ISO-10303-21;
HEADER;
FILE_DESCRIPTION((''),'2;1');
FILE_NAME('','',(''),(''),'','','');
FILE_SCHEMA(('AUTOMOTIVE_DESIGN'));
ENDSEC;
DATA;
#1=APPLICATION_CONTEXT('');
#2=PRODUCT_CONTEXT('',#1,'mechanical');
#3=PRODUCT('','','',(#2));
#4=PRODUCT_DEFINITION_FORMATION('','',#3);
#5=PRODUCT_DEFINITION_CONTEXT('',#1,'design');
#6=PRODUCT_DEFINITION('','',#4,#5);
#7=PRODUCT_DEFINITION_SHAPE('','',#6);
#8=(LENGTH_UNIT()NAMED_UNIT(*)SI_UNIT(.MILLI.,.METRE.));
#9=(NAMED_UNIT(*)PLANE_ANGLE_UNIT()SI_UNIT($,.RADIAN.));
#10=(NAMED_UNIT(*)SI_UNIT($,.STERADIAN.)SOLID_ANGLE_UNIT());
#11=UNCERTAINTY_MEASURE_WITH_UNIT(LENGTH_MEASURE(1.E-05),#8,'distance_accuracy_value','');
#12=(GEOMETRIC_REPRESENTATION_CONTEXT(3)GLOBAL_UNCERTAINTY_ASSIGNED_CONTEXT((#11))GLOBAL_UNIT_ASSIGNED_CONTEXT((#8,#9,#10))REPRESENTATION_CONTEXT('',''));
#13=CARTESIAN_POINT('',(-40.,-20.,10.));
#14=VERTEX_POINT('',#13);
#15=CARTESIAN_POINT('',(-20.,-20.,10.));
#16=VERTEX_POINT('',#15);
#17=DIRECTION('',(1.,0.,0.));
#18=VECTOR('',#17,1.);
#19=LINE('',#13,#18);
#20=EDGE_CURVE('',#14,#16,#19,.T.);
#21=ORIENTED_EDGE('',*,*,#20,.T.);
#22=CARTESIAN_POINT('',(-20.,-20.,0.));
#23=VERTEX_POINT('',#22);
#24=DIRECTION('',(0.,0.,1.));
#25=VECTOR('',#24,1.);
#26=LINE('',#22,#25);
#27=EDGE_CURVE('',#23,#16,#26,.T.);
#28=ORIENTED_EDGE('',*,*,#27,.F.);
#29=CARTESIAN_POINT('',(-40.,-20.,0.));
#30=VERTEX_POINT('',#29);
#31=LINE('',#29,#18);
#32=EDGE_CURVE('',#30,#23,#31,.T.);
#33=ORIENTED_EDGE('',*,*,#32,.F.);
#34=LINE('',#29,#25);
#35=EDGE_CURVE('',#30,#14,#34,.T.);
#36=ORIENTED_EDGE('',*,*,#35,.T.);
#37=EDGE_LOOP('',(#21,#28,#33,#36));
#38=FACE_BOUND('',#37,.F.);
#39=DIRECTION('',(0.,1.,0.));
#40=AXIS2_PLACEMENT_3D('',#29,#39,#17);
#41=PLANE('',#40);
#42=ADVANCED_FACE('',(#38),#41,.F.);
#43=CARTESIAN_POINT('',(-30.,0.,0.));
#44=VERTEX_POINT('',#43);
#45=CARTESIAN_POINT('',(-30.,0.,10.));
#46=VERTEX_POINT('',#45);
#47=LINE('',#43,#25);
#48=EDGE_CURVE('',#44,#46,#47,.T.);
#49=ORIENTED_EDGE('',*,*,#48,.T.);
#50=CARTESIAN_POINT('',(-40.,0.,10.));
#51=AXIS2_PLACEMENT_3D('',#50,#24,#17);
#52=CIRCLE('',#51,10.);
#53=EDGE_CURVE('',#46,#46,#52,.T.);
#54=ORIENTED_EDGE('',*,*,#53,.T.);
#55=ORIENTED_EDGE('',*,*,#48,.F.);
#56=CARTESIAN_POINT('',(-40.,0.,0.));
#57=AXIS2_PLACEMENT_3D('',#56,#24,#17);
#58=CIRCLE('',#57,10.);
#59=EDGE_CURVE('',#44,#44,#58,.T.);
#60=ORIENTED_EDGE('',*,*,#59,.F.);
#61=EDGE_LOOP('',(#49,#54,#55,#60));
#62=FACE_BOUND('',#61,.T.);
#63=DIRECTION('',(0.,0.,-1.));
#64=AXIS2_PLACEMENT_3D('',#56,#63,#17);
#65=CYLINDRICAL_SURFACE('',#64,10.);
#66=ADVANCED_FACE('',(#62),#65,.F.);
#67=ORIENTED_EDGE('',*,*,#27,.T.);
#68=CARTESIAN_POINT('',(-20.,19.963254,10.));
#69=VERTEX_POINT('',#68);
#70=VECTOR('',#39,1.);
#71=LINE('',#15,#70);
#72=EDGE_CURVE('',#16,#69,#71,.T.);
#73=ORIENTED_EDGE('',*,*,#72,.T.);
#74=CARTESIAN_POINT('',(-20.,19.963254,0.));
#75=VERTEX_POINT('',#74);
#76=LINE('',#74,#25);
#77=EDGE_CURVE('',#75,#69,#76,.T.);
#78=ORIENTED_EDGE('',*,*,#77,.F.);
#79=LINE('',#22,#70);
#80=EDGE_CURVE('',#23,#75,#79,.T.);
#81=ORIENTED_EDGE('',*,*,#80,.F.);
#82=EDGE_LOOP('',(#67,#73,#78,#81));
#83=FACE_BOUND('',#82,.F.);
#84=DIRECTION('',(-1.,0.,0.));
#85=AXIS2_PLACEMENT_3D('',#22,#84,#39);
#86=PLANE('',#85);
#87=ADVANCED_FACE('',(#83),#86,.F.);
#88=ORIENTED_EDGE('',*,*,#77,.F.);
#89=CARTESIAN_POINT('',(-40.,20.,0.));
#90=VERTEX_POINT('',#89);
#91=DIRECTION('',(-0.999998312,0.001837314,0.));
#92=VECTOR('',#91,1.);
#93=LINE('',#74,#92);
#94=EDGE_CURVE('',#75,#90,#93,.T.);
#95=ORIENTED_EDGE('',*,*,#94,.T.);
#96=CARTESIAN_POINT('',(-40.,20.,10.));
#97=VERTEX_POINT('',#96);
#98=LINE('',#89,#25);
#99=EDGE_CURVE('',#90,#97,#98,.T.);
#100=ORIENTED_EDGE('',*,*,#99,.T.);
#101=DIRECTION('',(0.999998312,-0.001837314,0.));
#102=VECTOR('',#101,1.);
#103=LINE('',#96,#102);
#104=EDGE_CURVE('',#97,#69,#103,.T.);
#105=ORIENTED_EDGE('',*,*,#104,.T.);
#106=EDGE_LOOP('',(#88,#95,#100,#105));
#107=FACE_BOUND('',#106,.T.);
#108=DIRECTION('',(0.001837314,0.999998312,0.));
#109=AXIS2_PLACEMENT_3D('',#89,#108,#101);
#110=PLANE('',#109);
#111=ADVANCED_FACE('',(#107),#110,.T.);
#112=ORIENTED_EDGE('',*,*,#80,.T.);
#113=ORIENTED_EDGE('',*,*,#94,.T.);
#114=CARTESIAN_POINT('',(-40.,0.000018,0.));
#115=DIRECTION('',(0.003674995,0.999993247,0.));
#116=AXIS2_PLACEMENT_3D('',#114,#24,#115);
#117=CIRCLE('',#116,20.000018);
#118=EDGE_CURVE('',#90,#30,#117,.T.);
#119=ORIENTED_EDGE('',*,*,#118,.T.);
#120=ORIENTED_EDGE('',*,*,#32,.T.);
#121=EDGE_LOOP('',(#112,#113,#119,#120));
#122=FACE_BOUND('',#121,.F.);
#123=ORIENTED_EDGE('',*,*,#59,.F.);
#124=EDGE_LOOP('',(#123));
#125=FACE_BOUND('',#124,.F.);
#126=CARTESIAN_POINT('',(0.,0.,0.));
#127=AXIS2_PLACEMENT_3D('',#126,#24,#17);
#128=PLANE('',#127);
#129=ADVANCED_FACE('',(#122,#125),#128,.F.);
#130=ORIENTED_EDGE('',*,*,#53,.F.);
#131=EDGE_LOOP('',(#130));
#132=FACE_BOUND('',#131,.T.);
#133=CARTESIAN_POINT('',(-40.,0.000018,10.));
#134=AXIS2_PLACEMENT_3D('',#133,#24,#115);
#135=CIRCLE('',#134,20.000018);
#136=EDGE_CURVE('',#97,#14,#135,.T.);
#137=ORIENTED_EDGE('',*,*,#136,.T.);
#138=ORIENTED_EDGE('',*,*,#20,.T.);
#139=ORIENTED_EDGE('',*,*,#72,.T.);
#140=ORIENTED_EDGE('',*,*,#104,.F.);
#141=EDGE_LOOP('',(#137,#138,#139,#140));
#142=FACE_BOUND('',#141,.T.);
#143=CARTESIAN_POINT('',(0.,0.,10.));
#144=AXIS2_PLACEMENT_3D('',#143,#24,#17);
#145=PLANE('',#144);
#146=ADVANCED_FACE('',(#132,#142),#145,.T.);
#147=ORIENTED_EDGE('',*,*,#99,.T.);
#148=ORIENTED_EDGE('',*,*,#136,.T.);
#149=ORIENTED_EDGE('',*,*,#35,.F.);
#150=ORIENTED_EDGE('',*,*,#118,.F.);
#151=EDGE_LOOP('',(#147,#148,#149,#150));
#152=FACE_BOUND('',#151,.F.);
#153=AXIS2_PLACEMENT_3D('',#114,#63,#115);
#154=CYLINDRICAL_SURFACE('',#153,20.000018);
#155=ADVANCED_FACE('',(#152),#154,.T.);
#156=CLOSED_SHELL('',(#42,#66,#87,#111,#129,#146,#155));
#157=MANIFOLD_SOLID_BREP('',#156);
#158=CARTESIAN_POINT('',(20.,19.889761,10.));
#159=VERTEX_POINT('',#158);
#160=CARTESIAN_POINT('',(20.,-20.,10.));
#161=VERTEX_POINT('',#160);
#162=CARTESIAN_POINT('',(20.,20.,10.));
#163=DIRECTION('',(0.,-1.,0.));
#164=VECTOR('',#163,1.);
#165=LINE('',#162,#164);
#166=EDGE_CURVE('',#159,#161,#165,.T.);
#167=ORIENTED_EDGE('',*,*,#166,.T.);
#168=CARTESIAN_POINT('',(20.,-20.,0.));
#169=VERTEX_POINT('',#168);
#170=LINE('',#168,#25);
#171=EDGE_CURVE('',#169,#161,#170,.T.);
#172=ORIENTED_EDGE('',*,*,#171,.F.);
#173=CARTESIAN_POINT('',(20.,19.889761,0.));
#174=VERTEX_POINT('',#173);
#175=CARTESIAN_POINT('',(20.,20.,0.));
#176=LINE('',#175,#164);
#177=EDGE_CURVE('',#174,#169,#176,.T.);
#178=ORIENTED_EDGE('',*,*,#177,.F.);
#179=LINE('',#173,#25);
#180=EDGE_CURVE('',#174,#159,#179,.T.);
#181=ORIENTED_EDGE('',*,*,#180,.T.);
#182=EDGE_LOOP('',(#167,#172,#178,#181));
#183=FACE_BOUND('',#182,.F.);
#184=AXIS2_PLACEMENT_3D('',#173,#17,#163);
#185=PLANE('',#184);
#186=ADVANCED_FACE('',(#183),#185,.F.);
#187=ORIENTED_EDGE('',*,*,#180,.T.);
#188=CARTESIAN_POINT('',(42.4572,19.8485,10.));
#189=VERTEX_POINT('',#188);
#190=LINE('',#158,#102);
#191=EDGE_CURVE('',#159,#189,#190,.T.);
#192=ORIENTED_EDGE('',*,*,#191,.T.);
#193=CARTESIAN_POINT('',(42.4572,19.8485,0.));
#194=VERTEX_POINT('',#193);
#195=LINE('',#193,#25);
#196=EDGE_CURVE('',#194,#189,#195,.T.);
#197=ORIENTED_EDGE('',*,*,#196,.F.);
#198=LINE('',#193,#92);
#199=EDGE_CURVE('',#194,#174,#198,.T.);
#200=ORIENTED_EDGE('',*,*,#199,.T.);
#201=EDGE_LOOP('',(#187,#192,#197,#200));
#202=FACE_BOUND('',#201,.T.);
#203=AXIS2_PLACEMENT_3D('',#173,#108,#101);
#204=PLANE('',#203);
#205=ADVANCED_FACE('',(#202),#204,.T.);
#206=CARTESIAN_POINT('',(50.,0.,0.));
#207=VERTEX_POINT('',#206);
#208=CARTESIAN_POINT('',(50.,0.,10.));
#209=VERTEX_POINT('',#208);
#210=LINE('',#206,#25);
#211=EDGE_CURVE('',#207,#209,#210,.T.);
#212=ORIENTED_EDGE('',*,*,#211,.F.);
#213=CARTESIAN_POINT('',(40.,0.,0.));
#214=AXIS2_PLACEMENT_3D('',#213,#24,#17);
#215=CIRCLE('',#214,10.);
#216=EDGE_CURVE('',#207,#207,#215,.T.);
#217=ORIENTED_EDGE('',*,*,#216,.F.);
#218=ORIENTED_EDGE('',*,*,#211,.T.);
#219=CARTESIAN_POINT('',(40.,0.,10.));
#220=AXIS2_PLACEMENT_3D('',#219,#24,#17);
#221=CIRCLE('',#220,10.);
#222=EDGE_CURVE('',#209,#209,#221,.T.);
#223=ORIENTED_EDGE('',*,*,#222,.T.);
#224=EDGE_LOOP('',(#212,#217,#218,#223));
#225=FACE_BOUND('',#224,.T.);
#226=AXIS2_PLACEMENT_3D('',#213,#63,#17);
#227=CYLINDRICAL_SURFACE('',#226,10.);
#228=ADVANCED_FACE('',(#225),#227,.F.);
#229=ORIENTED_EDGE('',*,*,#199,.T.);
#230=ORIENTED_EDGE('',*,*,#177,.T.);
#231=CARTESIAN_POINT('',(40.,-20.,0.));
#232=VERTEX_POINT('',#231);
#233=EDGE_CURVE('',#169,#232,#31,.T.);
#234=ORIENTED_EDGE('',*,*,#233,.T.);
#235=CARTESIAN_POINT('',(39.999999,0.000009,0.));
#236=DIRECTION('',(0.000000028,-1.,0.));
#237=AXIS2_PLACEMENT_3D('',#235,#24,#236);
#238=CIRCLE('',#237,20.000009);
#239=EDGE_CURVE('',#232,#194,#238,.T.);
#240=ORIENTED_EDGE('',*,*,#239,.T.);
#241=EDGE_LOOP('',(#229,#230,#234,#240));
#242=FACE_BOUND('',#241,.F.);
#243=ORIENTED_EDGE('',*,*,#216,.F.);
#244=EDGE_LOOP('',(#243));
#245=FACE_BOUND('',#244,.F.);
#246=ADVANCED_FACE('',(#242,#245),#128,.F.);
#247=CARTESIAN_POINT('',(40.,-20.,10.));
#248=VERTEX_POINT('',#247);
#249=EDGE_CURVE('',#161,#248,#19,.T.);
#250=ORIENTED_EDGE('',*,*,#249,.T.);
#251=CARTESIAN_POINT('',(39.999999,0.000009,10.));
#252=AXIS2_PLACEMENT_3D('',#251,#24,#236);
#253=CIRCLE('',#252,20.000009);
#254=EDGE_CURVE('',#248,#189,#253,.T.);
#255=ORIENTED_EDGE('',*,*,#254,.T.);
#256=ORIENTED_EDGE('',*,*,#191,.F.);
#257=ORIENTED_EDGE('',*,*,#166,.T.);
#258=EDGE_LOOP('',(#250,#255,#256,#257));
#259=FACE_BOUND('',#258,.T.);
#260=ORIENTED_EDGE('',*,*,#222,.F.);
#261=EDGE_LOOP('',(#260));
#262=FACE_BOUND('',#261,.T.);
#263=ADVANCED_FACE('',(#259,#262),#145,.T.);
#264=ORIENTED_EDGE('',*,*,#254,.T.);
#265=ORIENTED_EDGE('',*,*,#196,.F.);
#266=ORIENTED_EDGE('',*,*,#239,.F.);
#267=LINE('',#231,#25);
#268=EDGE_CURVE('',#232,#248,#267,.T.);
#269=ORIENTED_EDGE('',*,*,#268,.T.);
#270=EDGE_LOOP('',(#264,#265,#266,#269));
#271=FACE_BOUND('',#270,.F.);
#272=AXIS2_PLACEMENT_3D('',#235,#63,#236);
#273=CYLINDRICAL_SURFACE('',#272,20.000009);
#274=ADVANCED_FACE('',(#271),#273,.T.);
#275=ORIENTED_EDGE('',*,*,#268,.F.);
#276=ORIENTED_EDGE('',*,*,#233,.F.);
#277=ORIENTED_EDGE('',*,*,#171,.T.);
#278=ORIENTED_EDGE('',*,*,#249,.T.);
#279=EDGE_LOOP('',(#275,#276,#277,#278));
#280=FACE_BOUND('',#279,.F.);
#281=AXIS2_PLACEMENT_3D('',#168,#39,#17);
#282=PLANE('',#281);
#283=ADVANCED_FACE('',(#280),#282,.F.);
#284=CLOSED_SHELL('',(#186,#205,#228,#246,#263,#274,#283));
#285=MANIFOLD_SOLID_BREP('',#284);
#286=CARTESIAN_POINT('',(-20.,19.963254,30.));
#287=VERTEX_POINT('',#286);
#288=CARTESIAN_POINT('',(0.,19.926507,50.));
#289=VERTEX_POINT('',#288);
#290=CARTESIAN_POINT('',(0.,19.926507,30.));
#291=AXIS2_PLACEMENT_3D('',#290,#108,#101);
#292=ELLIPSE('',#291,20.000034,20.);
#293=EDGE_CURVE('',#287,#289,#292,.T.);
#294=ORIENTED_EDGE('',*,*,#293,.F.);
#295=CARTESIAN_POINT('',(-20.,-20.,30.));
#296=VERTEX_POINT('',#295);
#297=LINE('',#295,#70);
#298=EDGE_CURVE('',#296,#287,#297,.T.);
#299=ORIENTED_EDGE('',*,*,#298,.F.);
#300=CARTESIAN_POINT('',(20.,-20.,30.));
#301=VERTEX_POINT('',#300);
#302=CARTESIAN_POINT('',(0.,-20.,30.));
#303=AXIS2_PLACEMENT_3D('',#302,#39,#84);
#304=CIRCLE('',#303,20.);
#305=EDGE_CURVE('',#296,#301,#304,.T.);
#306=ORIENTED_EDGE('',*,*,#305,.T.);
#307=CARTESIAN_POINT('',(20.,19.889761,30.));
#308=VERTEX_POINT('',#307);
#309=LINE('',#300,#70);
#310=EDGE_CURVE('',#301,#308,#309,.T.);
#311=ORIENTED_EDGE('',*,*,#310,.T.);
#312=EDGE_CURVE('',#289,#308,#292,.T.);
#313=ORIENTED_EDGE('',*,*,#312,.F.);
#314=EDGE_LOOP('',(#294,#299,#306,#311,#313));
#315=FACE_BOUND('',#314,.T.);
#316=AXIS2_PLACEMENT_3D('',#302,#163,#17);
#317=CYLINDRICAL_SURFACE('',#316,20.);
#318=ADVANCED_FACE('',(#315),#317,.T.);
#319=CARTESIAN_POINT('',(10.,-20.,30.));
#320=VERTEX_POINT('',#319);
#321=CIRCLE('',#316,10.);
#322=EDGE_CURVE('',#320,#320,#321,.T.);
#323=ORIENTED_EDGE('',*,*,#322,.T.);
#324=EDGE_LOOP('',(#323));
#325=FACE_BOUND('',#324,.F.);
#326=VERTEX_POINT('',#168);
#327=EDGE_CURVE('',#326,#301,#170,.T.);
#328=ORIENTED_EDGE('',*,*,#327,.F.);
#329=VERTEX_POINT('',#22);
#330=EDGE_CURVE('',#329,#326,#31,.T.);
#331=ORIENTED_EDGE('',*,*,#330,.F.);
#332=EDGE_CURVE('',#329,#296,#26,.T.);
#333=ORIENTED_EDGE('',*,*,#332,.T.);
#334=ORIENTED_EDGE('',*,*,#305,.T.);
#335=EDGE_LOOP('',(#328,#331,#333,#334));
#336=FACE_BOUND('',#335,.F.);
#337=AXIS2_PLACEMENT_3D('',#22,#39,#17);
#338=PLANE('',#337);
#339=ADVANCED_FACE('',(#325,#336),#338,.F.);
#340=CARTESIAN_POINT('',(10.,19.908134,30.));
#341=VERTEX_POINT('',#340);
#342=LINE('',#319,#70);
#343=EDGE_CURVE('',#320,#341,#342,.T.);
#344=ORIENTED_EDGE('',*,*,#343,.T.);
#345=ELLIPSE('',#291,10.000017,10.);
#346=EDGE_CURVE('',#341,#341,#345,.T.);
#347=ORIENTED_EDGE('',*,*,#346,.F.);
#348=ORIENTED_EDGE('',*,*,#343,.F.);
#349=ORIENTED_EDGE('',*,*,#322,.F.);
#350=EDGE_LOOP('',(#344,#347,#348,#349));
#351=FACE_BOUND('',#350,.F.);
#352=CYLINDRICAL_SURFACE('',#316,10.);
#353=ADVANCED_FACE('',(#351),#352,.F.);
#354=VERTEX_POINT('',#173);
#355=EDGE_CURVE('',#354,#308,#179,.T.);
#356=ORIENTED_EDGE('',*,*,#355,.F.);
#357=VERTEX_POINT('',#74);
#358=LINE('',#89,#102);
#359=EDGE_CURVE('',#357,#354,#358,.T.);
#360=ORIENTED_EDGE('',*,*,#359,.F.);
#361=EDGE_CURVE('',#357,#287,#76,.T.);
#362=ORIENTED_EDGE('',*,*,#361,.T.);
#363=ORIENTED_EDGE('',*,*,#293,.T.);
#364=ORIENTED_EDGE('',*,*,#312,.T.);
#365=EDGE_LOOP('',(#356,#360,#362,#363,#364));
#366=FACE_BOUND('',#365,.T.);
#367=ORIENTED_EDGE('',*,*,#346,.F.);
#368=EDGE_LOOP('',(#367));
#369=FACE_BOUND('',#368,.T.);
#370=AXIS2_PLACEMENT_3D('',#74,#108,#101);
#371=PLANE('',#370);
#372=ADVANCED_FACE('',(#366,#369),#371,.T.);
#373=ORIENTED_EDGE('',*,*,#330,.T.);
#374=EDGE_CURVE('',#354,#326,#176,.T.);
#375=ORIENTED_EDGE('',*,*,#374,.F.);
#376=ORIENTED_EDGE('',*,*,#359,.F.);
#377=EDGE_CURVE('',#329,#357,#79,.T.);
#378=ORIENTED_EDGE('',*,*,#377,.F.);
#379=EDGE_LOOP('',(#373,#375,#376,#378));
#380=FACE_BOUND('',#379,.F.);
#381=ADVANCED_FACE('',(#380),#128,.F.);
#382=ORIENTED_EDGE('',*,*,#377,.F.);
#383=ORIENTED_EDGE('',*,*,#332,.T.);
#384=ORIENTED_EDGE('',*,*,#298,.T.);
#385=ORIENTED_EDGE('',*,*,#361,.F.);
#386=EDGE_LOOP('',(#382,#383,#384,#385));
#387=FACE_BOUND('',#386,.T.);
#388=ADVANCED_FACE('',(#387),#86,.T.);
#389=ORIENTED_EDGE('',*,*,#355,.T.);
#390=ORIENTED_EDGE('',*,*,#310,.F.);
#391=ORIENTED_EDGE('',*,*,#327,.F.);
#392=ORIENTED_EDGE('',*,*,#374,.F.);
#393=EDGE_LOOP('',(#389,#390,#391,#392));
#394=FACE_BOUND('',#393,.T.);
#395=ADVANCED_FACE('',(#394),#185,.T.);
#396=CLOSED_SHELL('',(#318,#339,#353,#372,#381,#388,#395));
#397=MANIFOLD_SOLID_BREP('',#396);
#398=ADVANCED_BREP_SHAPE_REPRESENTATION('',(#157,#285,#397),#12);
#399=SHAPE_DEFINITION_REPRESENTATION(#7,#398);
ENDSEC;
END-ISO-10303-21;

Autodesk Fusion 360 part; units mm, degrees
sketch "Sketch2" plane through (0, 0, 0) normal (0, 0, 1) x (1, 0, 0)
  circle A0 centre (-40, 0) radius 10
  circle A1 centre (40, 0) radius 10
  line L0 (-40, 20) -> (42.4572, 19.8485)
  line L1 (-40, -20) -> (40, -20)
  line L2 (20, -20) -> (-20, -20)
  line L3 (-20, -20) -> (-20, 20)
  line L4 (-20, 20) -> (20, 20)
  line L5 (20, 20) -> (20, -20)
  line L6 (20, -20) -> (-20, 20) construction
  line L7 (-20, -20) -> (20, 20) construction
  arc A2 (-39.9265, 19.9999) -> (-40, -20) centre (-40, 0) ccw
  arc A3 (40, -20) -> (37.6158, 19.8574) centre (40, 0) ccw
  dimension "d3" = 20
  dimension "d4" = 20
  dimension "d7" = 40
  dimension "d8" = 40
extrude "Extrude2" add sketch "Sketch2" along normal blind 50 contours L0 L1 L2 L3 L5 makes body 1
extrude "Extrude1" add sketch "Sketch2" along normal blind 10 separate body contours L0 L1 L3 A2 | L0 L1 L5 A3 makes body 2 at (-23.3333, -0.0122, 0) makes body 3 at (23.3333, -0.0367, 0)
sketch "Sketch3" plane through (0, -20, 0) normal (0, -1, 0) x (1, 0, 0)
  line L0 (-20, 0) -> (20, 0)
  line L1 (20, 0) -> (20, 50)
  line L2 (20, 50) -> (-20, 50)
  line L3 (-20, 50) -> (-20, 0)
  circle A0 centre (0, 30) radius 10
  arc A1 (20, 30) -> (-20, 30) centre (0, 30) ccw
  dimension "d13" = 20
extrude "Extrude5" cut sketch "Sketch3" against normal blind 40 contours A0 bodies 1
extrude "Extrude4" cut sketch "Sketch3" against normal blind 40 contours L1 L2 A1 bodies 1
extrude "Extrude3" cut sketch "Sketch3" against normal blind 40 contours L2 L3 A1 bodies 1
